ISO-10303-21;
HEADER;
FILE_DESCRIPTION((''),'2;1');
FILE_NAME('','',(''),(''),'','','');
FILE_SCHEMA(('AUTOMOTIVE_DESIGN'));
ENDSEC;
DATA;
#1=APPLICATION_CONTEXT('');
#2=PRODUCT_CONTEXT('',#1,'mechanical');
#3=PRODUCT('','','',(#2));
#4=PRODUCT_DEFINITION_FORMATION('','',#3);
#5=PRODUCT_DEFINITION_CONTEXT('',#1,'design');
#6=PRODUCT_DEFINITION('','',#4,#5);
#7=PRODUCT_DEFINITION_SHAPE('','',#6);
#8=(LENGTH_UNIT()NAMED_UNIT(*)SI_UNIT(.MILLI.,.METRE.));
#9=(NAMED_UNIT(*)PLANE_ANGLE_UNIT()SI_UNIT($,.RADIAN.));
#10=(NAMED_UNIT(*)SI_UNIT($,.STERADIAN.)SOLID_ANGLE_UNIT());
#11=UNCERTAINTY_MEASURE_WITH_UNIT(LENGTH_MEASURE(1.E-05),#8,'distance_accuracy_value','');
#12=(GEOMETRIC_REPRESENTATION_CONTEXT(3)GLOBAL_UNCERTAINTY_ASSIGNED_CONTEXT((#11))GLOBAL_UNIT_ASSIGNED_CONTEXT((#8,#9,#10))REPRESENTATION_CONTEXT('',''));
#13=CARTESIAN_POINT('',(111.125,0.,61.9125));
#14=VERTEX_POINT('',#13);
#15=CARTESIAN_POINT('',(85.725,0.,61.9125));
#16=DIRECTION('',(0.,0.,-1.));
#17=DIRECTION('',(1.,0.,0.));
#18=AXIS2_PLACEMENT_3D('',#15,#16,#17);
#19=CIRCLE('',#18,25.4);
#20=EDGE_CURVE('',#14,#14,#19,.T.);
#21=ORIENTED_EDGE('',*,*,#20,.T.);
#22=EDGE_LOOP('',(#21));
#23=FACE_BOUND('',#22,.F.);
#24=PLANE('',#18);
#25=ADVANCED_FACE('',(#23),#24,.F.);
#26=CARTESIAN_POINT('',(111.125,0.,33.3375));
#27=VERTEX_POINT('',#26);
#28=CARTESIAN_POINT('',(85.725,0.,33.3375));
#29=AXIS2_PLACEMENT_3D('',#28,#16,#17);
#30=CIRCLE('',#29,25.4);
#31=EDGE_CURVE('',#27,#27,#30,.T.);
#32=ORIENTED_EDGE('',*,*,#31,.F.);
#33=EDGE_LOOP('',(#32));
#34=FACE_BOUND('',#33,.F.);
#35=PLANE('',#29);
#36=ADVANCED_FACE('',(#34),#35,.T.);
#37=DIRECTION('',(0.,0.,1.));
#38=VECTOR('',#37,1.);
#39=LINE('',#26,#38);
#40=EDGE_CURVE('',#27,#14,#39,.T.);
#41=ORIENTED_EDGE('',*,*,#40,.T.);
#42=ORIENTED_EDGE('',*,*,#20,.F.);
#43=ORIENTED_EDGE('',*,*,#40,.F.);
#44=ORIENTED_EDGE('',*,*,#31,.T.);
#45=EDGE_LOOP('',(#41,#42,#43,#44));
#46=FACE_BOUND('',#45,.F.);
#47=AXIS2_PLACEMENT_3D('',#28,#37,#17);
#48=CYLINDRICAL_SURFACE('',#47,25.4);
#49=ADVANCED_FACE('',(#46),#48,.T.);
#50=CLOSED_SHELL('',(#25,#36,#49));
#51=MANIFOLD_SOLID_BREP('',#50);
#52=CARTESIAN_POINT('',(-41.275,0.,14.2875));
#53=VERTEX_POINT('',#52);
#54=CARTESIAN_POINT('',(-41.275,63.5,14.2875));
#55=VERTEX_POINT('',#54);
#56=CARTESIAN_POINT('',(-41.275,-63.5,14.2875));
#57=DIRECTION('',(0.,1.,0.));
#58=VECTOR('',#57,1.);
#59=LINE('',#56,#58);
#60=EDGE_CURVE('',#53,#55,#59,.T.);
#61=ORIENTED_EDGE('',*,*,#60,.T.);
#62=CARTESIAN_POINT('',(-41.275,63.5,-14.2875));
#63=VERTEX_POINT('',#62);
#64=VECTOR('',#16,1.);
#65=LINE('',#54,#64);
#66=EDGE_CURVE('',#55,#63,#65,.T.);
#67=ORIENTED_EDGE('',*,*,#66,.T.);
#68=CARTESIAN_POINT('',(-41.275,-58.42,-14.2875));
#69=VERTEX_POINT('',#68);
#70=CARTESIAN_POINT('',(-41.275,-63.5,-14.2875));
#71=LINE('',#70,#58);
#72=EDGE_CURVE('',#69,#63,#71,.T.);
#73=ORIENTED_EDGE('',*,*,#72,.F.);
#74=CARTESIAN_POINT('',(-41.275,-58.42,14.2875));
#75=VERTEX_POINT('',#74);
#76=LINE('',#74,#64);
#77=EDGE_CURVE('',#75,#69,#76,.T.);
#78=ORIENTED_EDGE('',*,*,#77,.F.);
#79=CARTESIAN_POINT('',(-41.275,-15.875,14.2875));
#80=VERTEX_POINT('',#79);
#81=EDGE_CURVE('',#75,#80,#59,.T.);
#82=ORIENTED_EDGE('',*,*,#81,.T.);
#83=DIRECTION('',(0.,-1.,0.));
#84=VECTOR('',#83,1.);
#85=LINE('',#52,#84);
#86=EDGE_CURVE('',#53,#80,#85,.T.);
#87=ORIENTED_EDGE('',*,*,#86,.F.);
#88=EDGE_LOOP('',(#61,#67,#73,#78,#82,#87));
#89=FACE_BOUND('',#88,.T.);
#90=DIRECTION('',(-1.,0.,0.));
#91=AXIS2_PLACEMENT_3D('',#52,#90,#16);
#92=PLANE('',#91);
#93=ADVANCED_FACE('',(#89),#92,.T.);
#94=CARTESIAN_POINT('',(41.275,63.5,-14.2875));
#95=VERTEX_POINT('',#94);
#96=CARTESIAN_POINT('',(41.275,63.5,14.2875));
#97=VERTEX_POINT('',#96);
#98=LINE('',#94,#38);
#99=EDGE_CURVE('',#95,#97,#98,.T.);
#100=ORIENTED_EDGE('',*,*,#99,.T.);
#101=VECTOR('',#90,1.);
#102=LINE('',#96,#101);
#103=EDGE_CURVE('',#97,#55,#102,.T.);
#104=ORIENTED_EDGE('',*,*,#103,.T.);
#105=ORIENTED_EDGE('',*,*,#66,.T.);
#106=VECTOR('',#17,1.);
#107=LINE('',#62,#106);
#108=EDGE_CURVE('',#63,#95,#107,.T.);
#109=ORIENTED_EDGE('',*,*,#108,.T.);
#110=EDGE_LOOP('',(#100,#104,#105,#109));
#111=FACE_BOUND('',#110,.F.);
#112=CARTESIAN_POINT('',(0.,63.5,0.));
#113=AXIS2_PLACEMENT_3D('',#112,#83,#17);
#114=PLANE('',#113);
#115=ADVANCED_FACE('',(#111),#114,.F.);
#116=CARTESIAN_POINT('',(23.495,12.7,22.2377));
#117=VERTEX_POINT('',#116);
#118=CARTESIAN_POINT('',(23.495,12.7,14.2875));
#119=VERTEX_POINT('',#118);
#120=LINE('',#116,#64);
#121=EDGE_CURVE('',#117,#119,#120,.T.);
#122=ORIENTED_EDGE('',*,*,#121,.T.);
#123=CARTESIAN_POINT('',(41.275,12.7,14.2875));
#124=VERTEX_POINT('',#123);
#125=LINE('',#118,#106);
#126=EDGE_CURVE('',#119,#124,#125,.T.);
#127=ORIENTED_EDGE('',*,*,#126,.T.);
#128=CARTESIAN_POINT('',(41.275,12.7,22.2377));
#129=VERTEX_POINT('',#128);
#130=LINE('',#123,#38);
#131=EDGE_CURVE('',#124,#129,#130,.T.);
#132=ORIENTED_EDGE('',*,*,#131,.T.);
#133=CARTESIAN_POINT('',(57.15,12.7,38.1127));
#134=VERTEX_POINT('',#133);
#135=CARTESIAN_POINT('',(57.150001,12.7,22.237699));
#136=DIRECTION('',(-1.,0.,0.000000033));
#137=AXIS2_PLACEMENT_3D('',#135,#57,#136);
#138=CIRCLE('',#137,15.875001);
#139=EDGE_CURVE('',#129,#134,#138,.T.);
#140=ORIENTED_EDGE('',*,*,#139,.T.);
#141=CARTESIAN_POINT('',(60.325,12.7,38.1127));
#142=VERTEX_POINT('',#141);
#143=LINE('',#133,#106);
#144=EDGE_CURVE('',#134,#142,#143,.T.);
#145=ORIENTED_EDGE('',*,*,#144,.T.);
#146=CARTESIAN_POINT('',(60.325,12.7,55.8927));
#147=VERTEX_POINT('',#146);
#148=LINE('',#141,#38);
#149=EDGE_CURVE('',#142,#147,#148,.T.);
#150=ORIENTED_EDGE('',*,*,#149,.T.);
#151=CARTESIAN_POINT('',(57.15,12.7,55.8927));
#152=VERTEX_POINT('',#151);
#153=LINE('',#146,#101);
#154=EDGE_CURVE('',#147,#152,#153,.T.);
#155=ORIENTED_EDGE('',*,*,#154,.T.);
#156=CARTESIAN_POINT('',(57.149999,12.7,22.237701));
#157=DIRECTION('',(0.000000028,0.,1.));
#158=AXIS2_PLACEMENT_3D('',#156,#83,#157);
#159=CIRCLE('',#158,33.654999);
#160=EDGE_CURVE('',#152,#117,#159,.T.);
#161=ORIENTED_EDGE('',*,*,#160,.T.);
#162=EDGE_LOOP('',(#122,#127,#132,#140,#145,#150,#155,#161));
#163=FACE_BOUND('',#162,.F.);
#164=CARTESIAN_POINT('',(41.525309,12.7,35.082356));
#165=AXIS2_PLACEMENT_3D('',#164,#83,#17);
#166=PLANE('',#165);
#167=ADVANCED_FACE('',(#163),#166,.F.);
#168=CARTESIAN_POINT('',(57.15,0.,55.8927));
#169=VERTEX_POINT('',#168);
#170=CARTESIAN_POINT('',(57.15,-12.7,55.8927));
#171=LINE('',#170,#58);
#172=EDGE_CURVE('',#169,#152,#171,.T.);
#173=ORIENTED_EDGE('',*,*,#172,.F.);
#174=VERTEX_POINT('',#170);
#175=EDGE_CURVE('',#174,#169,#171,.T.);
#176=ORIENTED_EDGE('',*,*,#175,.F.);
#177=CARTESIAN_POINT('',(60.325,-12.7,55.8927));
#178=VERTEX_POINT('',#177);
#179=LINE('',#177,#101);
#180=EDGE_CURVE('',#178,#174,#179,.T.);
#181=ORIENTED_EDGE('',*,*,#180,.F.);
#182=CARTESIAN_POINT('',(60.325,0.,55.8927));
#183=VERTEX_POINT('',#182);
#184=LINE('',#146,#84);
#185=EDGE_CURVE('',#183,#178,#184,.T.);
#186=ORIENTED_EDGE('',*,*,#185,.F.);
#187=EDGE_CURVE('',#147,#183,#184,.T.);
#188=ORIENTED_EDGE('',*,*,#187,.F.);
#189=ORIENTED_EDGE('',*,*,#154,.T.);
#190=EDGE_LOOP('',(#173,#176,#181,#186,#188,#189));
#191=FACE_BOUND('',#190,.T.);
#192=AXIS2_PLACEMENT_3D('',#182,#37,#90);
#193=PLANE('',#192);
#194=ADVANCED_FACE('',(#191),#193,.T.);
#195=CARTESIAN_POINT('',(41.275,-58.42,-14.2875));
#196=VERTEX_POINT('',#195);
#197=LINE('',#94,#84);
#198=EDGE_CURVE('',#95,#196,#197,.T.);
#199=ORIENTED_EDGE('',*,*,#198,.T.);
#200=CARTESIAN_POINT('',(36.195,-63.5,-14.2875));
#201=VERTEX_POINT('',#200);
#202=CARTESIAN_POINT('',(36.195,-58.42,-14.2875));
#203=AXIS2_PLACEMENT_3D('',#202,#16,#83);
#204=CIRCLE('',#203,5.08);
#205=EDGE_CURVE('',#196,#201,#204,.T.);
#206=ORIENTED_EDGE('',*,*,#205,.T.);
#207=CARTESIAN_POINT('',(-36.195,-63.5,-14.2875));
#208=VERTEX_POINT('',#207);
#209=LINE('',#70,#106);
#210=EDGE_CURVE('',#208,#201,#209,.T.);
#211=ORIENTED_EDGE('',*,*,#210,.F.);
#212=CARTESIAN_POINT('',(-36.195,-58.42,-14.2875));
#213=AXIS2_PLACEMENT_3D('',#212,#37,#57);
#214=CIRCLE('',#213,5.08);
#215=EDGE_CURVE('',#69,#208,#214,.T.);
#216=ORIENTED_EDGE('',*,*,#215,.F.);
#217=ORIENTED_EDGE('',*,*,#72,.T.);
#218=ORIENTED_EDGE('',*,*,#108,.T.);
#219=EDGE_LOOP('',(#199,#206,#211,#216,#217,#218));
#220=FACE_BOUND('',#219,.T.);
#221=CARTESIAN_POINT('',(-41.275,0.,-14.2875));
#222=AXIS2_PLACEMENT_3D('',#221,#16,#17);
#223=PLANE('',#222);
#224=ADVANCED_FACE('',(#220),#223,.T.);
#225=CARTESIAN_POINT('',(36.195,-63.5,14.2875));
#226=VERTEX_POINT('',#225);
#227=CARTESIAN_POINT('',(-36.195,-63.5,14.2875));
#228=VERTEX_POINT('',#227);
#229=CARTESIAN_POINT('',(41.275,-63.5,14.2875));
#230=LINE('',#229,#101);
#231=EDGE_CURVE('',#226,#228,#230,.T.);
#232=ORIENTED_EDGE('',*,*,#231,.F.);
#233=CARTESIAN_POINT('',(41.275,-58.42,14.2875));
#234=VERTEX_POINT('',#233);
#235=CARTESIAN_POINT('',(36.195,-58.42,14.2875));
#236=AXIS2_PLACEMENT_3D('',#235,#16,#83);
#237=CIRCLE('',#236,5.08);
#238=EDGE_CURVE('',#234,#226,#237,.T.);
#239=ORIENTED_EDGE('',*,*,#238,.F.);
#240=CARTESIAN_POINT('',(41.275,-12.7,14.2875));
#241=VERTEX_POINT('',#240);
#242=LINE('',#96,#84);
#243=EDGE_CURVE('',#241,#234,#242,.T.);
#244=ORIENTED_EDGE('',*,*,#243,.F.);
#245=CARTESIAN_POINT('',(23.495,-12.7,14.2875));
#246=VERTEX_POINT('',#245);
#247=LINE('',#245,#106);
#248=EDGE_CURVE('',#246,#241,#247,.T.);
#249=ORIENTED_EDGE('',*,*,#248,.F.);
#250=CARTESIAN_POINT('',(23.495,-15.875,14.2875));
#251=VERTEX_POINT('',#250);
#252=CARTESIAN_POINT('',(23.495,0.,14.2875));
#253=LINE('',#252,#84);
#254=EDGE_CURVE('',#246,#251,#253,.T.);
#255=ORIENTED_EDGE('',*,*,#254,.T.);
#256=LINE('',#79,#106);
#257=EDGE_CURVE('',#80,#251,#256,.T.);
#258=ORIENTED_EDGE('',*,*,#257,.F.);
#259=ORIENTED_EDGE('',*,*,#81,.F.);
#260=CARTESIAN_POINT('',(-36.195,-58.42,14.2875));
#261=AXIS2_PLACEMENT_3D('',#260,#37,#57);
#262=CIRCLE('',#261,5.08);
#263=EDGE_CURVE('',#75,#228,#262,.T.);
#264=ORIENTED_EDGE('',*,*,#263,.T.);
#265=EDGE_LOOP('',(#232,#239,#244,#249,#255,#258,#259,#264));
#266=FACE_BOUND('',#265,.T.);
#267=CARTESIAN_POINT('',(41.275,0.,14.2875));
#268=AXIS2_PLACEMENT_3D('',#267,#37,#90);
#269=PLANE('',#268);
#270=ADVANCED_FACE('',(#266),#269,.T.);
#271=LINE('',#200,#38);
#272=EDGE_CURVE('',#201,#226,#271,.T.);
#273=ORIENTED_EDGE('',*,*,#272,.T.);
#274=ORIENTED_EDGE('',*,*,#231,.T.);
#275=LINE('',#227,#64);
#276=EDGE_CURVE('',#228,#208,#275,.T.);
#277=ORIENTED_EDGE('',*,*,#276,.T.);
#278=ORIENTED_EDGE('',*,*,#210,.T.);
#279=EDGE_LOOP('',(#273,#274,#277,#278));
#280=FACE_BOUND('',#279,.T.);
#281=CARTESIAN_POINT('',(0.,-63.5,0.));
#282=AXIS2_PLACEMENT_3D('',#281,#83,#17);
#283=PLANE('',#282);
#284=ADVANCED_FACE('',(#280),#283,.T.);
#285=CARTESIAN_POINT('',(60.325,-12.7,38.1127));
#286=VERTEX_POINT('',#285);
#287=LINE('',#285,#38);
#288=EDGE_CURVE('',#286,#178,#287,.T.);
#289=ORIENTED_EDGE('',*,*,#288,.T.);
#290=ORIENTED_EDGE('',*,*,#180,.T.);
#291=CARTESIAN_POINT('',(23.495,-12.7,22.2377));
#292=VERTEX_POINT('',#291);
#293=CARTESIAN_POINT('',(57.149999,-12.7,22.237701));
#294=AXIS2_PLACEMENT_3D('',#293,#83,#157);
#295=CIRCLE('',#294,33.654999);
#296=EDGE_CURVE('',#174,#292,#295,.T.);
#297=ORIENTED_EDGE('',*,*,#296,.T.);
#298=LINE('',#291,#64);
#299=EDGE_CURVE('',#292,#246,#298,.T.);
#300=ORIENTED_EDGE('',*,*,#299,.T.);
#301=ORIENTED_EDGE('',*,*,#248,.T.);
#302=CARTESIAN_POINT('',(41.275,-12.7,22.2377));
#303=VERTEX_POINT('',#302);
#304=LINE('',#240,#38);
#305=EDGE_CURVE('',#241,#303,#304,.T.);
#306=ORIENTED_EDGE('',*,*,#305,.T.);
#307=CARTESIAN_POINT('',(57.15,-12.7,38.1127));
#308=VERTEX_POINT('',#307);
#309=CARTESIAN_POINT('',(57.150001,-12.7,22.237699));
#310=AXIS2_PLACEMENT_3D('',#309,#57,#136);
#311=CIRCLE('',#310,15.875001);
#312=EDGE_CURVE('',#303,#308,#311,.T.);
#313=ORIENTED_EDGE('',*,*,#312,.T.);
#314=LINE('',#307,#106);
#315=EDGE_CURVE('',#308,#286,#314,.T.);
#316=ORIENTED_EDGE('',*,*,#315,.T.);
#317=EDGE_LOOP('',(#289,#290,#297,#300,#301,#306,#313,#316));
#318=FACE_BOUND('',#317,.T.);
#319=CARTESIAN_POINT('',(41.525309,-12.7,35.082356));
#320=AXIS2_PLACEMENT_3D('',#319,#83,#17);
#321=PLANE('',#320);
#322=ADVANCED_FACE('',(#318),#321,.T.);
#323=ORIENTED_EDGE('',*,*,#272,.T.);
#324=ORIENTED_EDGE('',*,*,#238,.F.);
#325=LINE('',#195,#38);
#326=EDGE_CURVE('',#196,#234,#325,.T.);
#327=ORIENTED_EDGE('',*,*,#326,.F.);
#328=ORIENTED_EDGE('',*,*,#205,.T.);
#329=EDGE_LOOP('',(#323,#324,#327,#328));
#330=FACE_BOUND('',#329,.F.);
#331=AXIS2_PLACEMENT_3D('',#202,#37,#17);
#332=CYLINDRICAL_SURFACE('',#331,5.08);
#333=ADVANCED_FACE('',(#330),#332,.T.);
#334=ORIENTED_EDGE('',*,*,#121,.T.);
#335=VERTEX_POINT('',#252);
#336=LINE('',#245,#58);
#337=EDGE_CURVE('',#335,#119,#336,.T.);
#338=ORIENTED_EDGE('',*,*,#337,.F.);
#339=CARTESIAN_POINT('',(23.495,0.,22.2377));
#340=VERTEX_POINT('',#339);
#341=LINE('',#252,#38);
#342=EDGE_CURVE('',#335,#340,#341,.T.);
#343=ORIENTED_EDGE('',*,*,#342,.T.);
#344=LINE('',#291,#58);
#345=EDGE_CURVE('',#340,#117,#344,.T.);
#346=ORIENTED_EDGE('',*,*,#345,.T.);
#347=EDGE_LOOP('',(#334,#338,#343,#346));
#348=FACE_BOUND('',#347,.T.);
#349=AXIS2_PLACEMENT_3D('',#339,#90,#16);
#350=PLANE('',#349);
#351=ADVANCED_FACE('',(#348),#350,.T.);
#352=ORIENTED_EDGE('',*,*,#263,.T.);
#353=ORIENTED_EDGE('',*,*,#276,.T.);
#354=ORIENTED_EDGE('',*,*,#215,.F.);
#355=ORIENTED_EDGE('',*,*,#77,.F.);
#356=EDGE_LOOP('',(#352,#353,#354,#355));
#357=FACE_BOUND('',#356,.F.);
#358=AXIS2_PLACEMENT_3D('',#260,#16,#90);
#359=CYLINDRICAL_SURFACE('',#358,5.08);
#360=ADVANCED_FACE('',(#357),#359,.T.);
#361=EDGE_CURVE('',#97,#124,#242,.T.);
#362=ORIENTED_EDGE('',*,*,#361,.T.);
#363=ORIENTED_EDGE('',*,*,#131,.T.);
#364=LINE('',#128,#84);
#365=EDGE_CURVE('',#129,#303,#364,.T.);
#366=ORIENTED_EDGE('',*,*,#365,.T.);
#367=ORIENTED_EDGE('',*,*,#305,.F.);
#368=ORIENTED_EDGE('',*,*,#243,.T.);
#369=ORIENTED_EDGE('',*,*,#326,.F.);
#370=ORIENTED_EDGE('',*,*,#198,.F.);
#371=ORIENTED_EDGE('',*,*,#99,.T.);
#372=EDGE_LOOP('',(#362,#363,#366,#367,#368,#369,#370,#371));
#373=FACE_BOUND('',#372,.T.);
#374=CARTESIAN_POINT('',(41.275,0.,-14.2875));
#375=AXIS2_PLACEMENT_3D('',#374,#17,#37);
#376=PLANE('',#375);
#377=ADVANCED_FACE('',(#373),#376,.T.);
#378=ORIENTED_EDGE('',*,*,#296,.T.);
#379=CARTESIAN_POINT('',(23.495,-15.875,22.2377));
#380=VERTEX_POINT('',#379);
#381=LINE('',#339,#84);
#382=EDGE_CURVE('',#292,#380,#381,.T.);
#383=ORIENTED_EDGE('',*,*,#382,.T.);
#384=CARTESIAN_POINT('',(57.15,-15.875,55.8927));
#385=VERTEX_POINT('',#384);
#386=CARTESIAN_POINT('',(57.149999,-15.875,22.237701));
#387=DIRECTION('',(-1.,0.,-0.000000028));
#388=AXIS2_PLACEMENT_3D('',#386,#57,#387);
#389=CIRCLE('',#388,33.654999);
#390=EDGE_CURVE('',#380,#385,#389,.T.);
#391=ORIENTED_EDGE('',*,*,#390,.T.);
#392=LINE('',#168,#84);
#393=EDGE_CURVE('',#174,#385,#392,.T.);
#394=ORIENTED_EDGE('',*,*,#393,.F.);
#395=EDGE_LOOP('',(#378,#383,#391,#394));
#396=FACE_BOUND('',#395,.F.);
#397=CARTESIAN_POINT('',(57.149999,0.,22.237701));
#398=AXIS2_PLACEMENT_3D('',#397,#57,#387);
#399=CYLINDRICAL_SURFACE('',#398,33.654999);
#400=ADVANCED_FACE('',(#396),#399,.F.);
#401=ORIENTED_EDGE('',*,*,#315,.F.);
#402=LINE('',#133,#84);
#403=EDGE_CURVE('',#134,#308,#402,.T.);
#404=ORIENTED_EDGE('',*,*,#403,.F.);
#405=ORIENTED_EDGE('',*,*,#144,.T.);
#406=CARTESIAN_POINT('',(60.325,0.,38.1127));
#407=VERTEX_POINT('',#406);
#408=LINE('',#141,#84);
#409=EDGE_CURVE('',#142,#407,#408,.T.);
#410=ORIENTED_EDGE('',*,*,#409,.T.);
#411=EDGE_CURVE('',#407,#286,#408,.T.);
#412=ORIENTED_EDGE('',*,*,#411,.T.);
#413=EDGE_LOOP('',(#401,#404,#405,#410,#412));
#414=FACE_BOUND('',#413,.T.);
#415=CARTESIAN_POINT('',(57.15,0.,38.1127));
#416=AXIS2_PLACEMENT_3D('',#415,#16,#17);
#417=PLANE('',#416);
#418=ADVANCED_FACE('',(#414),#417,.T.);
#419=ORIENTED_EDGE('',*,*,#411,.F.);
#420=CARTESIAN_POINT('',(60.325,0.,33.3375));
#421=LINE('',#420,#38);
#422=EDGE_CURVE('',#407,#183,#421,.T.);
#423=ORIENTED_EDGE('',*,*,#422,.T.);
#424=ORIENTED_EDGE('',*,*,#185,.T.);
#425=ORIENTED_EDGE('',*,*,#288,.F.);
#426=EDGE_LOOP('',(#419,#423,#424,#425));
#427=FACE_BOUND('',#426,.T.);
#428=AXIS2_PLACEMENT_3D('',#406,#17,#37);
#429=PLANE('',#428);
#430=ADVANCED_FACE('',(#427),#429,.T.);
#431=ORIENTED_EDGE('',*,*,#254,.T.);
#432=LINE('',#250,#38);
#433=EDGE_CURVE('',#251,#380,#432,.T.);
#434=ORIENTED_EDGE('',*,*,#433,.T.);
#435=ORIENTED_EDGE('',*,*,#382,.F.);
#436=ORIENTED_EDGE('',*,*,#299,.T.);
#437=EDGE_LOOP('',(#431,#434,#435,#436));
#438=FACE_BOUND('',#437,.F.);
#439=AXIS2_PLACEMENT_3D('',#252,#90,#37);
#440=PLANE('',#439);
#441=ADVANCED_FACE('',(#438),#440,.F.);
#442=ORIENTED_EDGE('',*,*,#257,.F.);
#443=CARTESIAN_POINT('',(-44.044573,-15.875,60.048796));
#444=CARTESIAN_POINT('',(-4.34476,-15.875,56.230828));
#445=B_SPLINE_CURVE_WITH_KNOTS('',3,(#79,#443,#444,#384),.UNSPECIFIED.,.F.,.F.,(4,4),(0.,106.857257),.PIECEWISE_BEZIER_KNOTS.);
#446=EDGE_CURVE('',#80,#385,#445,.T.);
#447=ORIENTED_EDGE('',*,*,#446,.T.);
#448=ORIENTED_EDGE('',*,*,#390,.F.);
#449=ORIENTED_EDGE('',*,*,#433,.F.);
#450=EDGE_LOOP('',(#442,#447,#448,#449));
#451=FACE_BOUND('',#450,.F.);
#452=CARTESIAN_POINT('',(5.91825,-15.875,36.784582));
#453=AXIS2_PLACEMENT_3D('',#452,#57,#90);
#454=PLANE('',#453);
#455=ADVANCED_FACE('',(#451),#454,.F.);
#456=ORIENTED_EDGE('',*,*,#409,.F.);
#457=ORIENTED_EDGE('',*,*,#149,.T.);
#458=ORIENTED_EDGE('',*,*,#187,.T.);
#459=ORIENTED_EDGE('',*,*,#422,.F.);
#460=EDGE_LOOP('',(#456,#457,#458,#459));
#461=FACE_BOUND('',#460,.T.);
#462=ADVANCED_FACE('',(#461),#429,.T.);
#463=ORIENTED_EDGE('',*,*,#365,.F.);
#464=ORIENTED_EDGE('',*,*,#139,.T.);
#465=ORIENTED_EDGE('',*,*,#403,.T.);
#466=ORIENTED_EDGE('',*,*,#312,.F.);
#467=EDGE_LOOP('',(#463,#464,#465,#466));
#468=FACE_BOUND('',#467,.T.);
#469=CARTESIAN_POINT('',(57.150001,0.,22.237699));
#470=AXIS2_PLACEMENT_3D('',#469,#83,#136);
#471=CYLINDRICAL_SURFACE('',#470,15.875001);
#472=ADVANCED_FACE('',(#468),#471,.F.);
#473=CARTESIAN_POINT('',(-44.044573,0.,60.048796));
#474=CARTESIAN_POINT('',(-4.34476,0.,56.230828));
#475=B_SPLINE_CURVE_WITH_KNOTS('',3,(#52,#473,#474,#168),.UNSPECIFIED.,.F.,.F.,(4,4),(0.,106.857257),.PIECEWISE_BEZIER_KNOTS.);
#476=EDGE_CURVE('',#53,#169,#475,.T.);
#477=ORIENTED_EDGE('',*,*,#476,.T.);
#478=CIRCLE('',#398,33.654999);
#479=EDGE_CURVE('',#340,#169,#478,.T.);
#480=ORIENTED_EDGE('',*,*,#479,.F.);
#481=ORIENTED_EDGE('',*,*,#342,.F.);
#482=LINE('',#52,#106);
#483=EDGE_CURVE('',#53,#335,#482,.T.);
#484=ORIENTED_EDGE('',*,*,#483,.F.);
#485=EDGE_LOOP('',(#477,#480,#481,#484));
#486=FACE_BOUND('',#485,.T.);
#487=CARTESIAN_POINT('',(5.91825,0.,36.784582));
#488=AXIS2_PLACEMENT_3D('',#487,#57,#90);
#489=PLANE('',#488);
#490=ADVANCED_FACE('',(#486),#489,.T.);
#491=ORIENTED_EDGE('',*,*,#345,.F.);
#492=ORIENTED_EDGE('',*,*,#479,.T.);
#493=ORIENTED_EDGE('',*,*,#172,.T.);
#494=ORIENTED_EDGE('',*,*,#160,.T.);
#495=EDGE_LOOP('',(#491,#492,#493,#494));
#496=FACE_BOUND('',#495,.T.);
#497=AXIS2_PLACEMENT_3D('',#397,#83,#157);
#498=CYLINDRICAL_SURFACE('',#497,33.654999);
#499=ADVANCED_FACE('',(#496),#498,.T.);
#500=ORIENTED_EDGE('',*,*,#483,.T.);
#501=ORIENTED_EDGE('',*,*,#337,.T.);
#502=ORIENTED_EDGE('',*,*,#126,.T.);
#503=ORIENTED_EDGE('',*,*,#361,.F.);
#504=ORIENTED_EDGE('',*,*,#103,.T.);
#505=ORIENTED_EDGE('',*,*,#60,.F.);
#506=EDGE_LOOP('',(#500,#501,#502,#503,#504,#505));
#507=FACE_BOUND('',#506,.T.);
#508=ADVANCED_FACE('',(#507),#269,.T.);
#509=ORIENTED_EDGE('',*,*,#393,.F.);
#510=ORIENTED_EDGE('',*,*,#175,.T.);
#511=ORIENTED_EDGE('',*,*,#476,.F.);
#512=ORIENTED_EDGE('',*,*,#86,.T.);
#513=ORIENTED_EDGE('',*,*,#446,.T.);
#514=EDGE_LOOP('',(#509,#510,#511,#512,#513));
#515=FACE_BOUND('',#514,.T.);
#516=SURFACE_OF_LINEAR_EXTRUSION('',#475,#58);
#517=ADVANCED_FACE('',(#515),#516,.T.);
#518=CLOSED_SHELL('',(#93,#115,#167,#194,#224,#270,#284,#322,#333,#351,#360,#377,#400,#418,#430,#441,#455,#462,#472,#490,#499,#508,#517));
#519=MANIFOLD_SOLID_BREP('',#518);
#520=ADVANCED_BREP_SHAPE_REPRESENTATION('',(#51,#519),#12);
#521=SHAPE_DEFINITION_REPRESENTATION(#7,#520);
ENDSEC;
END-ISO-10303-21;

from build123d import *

# Parameters (mm, degrees)
F1_DEPTH = 63.5
F2_DEPTH = 12.7
F3_DEPTH = 15.875
F5_R     = 5.08


with BuildPart() as f1:
    # F0 (on Front) → F1 (new body, symmetric)
    with BuildSketch(Plane.XZ):
        Polygon((-41.275, -14.2875), (41.275, -14.2875), (41.275, 14.2875), (23.495, 14.2875), (-41.275, 14.2875), align=None)
    extrude(amount=F1_DEPTH, both=True)

    # F0 (on Front) → F2 (join, symmetric)
    with BuildSketch(Plane.XZ):
        with BuildLine():
            Line((23.495, 14.2875), (41.275, 14.2875))
            Line((41.275, 14.2875), (41.275, 22.2377))
            ThreePointArc((41.275, 22.2377), (45.92468, 33.46302), (57.15, 38.1127))
            Line((57.15, 38.1127), (60.325, 38.1127))
            Line((60.325, 38.1127), (60.325, 55.8927))
            Line((60.325, 55.8927), (57.15, 55.8927))
            ThreePointArc((57.15, 55.8927), (33.352321, 46.035379), (23.495, 22.2377))
            Line((23.495, 22.2377), (23.495, 14.2875))
        make_face()
    extrude(amount=F2_DEPTH, both=True)

    # F0 (on Front) → F3 (join)
    with BuildSketch(Plane.XZ):
        with BuildLine():
            add(Edge.make_bspline(
                [(-41.275, 14.2875), (-44.044573, 60.048796), (-4.34476, 56.230828), (57.15, 55.8927)],
                knots=[0, 0, 0, 0, 106.857257, 106.857257, 106.857257, 106.857257], degree=3))
            Line((-41.275, 14.2875), (23.495, 14.2875))
            Line((23.495, 14.2875), (23.495, 22.2377))
            ThreePointArc((23.495, 22.2377), (33.352321, 46.035379), (57.15, 55.8927))
        make_face()
    extrude(amount=F3_DEPTH)

    # F0 (on Front) → F4 (revolve)
    with BuildSketch(Plane.XZ):
        Polygon((85.725, 61.9125), (85.725, 55.8927), (85.725, 38.1127), (85.725, 33.3375), (111.125, 33.3375), (111.125, 61.9125), align=None)
    revolve(axis=Axis((85.725, 0, 47.625), (0, 0, -1)))

    # F5
    f5_edges = [f1.edges().sort_by_distance(p)[0] for p in [
        (-41.275, -63.5, 0),
        (41.275, -63.5, 0),
    ]]
    fillet(f5_edges, radius=F5_R)


solid = f1.part
